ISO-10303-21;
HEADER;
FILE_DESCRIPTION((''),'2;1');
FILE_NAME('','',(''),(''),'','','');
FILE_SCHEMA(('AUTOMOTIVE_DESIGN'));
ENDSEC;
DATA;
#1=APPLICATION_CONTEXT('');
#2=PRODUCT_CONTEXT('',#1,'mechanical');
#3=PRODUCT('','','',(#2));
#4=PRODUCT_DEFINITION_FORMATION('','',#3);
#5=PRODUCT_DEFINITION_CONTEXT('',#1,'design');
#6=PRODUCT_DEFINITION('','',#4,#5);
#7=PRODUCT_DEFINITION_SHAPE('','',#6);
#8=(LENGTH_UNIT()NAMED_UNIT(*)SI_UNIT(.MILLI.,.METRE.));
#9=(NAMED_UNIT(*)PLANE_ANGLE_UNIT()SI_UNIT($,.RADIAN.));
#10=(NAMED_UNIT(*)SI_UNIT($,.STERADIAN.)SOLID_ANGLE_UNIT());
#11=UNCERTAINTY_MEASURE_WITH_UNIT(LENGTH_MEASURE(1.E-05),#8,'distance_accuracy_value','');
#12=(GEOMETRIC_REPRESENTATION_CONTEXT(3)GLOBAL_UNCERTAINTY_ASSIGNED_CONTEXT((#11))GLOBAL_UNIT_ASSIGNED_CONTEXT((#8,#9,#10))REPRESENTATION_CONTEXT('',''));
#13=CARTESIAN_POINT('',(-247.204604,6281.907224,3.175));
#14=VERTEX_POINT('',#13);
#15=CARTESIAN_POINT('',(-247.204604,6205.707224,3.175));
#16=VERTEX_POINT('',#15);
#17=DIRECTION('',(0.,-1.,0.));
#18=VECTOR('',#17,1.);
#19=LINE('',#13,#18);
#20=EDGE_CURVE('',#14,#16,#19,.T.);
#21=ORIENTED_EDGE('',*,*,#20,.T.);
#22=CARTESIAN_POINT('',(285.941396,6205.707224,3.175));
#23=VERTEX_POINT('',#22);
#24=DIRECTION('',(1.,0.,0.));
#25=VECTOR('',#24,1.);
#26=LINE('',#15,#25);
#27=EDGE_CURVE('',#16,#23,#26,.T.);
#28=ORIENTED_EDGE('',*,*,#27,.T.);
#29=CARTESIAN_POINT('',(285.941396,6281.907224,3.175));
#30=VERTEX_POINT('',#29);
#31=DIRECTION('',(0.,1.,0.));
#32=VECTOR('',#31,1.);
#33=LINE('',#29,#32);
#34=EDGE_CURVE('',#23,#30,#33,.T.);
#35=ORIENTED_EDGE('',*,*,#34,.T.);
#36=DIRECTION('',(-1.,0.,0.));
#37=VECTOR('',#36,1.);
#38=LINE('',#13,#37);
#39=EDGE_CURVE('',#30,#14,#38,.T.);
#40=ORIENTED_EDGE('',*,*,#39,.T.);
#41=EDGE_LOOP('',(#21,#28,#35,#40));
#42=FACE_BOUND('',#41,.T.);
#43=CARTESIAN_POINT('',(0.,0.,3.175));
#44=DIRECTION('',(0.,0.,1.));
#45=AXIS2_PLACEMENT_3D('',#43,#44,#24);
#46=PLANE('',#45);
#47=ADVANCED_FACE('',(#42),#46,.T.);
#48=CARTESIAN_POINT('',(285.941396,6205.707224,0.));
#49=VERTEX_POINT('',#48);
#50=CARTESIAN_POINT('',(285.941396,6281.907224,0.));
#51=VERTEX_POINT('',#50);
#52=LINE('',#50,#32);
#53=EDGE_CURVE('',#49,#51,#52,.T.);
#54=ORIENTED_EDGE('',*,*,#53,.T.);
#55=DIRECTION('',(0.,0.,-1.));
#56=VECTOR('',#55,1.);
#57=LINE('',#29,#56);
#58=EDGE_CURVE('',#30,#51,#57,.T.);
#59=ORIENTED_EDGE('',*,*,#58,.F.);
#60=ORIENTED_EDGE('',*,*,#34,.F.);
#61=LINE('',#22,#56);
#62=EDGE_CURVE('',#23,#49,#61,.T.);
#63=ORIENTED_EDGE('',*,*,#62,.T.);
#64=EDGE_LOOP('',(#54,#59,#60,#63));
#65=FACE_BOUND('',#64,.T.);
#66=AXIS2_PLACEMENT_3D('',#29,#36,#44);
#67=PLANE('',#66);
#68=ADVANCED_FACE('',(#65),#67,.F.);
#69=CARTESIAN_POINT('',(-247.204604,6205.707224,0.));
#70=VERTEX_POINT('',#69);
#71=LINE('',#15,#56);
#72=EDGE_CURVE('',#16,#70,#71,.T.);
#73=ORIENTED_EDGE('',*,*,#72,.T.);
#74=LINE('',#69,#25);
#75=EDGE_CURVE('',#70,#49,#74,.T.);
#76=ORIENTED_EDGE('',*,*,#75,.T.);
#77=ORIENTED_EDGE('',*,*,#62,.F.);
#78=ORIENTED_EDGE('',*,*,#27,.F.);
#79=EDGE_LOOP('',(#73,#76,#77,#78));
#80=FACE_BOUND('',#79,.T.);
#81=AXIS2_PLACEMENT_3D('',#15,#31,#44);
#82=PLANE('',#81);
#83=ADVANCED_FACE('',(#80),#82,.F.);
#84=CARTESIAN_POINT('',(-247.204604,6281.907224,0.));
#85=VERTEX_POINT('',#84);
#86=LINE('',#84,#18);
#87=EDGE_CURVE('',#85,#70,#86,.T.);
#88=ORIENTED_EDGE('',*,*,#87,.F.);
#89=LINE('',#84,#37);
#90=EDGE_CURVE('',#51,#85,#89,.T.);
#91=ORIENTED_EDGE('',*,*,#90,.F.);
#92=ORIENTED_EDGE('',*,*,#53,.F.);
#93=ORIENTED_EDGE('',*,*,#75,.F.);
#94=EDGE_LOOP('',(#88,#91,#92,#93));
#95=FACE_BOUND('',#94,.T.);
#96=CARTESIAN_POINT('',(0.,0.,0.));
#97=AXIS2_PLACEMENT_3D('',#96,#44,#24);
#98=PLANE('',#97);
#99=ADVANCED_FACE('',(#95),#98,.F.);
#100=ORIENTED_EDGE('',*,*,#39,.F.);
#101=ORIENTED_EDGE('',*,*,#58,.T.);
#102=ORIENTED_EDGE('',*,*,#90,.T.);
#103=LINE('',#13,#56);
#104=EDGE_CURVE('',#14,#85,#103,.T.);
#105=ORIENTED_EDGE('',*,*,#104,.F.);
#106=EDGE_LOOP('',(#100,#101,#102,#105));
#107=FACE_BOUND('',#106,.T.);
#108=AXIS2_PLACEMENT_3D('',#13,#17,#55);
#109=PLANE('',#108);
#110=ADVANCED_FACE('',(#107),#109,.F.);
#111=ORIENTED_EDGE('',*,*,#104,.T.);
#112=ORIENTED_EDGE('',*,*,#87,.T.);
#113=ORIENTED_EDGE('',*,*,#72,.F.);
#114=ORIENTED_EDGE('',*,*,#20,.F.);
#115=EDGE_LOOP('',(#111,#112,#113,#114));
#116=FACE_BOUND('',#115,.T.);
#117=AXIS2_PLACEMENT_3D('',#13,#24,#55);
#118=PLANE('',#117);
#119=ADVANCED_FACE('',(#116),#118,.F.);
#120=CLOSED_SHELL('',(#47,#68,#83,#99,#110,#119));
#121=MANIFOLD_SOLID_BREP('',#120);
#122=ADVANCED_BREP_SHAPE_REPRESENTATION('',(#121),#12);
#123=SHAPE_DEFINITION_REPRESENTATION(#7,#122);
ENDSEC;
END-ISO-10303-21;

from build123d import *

# Parameters (mm, degrees)
SKETCH1_W           = 533.146
SKETCH1_H           = 76.2
BOSS_EXTRUDE1_DEPTH = 3.175


with BuildPart() as part:
    # Sketch1 → Boss-Extrude1 (new body)
    with BuildSketch(Plane(origin=(0, -330.2, 0), x_dir=(1, 0, 0), z_dir=(0, 0, 1))):
        with Locations((19.368396109, 6574.00722403)):
            Rectangle(SKETCH1_W, SKETCH1_H)
    extrude(amount=BOSS_EXTRUDE1_DEPTH)


solid = part.part
